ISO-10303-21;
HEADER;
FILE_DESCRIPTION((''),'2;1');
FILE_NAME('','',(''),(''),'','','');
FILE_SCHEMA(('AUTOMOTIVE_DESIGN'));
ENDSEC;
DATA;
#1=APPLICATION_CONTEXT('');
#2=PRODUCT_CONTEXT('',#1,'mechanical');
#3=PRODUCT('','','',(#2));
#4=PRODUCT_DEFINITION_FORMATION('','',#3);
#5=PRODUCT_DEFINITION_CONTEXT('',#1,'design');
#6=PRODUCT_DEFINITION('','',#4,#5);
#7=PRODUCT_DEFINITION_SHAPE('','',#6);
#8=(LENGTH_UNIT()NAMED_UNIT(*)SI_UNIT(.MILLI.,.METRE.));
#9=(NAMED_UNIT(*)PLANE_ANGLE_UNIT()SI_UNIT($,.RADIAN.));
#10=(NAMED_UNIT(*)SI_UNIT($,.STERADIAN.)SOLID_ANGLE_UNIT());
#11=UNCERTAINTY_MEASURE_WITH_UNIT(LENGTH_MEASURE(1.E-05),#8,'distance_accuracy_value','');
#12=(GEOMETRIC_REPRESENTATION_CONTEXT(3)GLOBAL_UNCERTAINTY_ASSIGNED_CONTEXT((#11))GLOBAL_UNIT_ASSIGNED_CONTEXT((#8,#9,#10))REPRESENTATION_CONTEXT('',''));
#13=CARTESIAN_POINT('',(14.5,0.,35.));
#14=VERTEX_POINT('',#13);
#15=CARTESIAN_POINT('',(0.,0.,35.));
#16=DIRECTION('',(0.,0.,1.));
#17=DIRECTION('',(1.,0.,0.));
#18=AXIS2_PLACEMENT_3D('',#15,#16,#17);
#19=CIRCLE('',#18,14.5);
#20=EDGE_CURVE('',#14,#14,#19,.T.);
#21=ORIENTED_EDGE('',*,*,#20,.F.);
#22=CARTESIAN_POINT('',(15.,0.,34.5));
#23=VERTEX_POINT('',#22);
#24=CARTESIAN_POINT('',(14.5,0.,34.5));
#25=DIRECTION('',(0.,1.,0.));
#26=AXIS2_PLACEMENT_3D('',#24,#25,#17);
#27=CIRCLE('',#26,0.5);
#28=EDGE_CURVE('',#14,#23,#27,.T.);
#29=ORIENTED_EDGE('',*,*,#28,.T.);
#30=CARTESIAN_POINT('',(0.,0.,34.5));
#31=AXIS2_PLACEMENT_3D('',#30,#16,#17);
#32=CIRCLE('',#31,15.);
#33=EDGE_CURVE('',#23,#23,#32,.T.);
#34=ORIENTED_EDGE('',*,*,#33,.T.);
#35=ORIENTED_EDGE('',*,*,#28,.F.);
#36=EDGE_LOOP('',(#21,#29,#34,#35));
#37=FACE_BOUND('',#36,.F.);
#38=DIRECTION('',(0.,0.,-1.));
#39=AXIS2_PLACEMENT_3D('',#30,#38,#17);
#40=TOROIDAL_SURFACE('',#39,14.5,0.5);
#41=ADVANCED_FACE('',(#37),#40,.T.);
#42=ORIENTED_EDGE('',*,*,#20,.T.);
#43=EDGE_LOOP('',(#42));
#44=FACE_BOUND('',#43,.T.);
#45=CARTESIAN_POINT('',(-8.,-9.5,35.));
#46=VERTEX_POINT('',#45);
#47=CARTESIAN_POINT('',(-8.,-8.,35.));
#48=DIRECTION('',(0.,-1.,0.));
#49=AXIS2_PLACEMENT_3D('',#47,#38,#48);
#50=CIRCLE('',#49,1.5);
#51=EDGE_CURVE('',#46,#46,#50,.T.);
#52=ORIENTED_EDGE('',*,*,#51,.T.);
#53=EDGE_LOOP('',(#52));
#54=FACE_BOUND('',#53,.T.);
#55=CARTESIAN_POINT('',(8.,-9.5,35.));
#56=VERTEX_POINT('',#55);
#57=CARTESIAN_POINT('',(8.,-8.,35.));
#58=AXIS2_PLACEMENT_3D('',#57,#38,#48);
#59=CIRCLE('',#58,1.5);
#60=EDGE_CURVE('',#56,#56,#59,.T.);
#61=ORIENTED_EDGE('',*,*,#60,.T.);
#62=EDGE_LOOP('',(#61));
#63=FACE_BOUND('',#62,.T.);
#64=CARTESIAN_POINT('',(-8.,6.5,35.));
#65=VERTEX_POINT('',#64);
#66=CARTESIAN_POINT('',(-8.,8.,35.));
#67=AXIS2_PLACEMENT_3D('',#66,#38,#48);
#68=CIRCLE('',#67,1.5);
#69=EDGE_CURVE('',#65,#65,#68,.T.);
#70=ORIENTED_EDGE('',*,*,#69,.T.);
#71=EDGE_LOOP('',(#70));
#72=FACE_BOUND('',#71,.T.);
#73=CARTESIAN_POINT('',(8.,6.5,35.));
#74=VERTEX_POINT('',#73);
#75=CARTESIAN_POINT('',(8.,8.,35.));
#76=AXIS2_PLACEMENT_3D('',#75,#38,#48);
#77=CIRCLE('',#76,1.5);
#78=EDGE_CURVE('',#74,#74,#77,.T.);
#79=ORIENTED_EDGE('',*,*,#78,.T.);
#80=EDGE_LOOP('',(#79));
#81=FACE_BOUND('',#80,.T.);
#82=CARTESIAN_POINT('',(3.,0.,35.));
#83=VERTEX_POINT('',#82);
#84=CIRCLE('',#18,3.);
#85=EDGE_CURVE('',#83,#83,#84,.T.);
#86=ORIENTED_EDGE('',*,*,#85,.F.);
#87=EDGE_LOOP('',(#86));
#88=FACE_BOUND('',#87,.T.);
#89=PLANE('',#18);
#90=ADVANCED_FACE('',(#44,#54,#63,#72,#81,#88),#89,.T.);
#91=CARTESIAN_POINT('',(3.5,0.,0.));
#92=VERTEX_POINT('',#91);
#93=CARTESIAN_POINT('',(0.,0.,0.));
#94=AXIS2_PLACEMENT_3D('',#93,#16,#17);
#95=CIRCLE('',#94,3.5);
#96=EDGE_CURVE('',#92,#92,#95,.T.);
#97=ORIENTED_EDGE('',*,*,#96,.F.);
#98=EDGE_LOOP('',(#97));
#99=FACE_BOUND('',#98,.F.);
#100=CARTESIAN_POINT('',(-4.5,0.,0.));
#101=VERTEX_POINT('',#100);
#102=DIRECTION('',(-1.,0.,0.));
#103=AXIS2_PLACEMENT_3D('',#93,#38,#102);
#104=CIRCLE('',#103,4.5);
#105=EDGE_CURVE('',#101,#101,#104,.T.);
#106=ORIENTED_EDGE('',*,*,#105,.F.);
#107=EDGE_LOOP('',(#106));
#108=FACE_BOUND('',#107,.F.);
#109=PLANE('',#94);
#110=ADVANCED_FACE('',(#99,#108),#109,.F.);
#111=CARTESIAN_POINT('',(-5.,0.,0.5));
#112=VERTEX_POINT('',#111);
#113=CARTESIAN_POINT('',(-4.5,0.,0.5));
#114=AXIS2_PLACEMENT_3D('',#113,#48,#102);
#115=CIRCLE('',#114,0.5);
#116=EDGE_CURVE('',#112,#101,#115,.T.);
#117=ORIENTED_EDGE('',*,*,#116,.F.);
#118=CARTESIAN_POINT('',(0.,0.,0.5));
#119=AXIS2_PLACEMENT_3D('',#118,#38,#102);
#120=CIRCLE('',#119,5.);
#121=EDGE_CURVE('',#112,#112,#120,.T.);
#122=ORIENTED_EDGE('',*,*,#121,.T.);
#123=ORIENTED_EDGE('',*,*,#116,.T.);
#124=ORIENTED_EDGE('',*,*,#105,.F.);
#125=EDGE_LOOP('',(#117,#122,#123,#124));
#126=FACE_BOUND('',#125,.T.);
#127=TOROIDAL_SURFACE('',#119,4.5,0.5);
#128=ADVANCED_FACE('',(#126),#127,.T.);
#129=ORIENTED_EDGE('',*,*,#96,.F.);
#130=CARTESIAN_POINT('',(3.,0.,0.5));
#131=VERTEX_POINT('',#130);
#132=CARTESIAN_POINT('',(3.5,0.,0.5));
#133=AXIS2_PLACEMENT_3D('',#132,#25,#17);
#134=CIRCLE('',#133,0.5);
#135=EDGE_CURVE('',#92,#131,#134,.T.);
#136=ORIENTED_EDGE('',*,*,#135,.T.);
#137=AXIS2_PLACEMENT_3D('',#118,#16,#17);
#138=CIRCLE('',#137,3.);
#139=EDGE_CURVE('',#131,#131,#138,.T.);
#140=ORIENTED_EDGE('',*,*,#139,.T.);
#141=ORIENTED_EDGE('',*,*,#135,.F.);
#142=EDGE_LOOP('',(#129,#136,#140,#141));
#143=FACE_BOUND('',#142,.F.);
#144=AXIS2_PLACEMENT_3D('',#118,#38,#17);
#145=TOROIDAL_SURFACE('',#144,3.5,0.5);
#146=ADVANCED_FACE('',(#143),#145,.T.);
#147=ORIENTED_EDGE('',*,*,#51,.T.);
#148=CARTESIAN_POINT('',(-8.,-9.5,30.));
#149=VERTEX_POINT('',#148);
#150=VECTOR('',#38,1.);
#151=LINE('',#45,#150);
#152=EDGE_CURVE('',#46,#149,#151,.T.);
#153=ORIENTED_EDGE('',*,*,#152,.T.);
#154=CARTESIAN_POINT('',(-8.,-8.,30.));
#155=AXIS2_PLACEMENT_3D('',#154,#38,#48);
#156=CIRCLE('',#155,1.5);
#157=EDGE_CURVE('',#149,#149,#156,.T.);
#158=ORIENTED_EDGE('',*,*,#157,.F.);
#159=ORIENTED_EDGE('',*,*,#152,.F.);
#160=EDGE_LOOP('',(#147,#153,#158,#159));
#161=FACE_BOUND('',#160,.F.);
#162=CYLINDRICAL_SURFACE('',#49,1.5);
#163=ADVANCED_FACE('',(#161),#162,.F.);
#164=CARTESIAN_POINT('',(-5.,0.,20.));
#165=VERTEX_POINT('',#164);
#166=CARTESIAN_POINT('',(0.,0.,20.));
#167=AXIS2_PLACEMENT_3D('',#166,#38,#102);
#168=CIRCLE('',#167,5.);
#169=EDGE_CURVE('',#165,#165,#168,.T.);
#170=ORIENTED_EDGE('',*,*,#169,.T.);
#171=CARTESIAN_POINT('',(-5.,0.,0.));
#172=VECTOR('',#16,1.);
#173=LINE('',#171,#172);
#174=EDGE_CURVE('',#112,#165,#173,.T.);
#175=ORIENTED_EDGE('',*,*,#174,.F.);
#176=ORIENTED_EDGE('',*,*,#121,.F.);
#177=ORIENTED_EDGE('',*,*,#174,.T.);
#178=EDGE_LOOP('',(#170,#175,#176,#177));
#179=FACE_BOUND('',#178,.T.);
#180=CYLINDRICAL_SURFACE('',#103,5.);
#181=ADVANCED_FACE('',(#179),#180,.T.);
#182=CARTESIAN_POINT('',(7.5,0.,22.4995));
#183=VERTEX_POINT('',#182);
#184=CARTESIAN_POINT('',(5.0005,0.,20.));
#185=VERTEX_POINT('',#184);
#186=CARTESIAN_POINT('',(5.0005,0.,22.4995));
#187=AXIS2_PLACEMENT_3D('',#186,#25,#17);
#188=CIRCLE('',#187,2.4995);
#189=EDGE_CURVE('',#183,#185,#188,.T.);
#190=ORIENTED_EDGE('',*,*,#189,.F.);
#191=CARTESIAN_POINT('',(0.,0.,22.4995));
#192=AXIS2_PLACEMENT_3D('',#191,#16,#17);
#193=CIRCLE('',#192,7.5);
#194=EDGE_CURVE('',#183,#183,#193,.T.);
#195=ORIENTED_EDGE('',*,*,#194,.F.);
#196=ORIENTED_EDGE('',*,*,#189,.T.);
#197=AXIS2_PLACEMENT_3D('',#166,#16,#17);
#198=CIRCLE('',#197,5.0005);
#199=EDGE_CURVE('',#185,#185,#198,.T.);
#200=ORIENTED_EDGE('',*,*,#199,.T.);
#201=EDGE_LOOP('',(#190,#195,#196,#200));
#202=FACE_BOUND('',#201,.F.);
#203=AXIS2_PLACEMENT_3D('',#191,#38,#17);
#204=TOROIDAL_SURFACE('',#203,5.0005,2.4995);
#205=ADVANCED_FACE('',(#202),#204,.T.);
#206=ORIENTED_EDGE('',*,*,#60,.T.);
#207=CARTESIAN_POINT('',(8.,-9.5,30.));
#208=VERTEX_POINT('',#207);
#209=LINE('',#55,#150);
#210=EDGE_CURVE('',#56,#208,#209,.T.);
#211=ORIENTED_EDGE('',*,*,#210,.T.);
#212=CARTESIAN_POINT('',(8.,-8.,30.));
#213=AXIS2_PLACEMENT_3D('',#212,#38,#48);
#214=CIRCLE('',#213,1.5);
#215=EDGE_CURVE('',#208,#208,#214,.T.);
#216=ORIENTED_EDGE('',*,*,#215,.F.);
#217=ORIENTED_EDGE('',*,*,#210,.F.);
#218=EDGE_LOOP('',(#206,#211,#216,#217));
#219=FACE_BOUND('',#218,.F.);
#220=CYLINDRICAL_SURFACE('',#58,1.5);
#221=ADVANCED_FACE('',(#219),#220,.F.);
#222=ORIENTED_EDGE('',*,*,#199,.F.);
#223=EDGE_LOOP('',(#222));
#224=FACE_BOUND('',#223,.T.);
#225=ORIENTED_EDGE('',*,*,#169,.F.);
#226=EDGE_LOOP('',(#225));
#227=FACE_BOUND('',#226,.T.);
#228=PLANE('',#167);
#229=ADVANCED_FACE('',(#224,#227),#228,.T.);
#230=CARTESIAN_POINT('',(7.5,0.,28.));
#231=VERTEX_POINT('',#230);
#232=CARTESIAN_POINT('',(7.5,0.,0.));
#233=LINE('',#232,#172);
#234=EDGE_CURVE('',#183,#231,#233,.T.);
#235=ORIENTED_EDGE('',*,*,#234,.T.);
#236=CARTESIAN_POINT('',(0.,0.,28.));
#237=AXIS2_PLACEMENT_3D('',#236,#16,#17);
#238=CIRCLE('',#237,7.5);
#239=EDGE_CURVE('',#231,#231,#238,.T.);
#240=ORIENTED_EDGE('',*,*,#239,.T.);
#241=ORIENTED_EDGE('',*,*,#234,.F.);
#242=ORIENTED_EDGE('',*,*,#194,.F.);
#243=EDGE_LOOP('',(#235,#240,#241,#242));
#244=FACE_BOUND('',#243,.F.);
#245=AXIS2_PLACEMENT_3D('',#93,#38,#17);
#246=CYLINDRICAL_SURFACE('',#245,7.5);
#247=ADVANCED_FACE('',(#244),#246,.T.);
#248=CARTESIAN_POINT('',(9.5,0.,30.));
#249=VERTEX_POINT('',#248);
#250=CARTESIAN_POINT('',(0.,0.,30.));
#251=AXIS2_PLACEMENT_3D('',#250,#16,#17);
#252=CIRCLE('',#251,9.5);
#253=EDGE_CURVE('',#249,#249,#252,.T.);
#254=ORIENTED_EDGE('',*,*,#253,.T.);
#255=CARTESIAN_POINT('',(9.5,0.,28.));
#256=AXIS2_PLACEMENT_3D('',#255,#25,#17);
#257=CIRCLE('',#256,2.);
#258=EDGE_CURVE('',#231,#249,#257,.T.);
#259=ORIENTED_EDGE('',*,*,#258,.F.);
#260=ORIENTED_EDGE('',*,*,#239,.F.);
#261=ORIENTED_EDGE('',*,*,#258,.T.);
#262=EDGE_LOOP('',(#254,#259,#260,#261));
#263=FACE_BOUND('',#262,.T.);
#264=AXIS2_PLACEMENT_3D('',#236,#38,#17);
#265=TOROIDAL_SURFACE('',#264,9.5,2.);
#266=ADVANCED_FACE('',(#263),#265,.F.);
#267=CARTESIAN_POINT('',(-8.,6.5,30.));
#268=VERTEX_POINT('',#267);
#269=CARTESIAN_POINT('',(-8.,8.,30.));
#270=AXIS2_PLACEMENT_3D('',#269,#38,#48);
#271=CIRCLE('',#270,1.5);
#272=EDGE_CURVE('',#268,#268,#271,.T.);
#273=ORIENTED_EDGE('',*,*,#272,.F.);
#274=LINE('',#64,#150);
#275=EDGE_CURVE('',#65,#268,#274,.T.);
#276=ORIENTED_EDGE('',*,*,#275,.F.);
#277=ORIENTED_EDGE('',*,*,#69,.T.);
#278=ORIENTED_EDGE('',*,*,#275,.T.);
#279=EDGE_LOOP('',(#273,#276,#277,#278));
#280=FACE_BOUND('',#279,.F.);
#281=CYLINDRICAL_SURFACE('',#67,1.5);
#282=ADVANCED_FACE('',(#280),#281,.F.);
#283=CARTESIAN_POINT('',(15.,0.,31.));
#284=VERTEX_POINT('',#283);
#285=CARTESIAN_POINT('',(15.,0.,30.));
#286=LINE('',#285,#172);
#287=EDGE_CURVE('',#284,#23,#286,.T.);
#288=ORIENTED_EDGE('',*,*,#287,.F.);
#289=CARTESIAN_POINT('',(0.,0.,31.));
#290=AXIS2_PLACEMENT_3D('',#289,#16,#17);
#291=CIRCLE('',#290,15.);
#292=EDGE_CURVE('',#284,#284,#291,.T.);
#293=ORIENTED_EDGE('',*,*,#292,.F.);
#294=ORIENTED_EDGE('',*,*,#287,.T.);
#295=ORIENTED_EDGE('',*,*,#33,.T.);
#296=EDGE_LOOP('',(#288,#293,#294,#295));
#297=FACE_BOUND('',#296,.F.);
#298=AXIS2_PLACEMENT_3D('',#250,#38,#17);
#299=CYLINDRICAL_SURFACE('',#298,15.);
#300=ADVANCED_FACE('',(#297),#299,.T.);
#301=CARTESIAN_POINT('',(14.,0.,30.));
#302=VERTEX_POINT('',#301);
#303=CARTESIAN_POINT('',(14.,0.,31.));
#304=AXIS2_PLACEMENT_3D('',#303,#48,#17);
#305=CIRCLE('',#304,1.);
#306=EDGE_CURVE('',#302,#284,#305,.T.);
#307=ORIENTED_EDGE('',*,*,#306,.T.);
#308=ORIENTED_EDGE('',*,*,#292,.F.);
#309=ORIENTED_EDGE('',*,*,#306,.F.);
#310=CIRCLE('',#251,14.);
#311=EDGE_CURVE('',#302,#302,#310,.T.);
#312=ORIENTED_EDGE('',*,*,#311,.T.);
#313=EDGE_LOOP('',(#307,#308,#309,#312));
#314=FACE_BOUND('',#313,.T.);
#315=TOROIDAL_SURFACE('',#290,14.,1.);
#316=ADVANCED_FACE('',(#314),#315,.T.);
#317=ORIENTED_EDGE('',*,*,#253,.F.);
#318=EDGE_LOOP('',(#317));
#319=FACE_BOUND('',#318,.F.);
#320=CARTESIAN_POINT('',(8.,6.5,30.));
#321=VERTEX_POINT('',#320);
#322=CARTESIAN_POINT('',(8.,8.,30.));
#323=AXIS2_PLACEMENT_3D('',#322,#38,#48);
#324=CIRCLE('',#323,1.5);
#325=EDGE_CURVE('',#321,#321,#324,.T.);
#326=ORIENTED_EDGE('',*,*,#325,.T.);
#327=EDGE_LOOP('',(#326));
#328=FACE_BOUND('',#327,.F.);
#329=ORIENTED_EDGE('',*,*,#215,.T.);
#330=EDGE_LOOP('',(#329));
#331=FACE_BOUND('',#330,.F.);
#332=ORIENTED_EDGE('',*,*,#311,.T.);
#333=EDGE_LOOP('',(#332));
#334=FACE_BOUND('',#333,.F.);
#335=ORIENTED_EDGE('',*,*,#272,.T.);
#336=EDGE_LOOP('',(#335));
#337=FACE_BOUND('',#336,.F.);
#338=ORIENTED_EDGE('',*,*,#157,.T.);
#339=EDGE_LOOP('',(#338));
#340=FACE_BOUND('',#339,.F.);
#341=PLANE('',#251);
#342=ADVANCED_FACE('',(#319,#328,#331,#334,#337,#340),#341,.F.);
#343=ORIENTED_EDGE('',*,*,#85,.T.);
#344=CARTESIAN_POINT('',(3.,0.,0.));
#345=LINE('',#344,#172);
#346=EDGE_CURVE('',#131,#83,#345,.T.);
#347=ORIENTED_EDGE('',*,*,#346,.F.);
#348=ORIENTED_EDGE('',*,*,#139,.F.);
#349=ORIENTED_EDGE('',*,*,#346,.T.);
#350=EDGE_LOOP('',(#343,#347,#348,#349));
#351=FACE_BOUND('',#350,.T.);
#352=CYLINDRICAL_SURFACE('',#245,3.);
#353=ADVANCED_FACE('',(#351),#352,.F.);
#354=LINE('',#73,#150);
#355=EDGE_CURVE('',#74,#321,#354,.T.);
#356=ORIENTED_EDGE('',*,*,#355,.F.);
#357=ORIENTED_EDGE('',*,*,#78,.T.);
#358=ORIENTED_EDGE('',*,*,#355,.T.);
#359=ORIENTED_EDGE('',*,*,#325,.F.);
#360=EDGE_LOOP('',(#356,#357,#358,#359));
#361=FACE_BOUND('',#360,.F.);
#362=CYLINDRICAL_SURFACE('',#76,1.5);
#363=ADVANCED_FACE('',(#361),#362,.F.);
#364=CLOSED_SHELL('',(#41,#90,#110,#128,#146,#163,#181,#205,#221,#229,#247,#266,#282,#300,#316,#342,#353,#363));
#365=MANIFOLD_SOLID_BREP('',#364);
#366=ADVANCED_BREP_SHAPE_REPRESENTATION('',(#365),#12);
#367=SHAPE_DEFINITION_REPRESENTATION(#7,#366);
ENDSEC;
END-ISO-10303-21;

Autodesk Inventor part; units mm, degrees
ref_plane "YZ Plane" through (0, 0, 0) normal (1, 0, 0) x (0, 1, 0)
ref_plane "XZ Plane" through (0, 0, 0) normal (0, 1, 0) x (-1, 0, 0)
ref_plane "XY Plane" through (0, 0, 0) normal (0, 0, 1) x (1, 0, 0)
sketch "スケッチ1" plane through (0, 0, 0) normal (0, 0, 1) x (1, 0, 0)
  circle A0 centre (0, 0) radius 7.5
  circle A1 centre (0, 0) radius 3
  dimension "d0" = 15
  dimension "d1" = 6
extrude "押し出し1" add sketch "スケッチ1" along normal blind 30
sketch "スケッチ2" plane through (0, 0, 30) normal (0, 0, 1) x (1, 0, 0)
  circle A0 centre (0, 0) radius 3
  circle A1 centre (0, 0) radius 15
  dimension "d4" = 6
  dimension "d5" = 30
extrude "押し出し2" add sketch "スケッチ2" along normal blind 5
sketch "スケッチ3" plane through (0, 0, 35) normal (0, 0, 1) x (1, 0, 0)
  line L0 (0, 0) -> (8, 0)
  line L1 (8, 0) -> (8, -8)
  line L2 (8, -8) -> (0, -8)
  line L3 (0, -8) -> (0, 0)
  line L4 (8, -8) -> (-8, -8)
  line L5 (-8, -8) -> (-8, 8)
  line L6 (-8, 8) -> (8, 8)
  line L7 (8, 8) -> (8, -8)
  dimension "d8" = 8
  dimension "d9" = 8
  dimension "d10" = 16
  dimension "d11" = 16
hole "穴1" at (-8, 8, 35) at (8, 8, 35) at (8, -8, 35) at (-8, -8, 35) direction (0, 0, -1) diameter 3 end through all
fillet "フィレット1" radius 2 1 edges at (-7.5, 0, 30)
fillet "フィレット3" radius 1 1 edges at (-15, 0, 30)
sketch "スケッチ4" plane through (0, 0, 0) normal (0, 0, -1) x (-1, 0, 0)
  circle A0 centre (0, 0) radius 3 projected
  circle A1 centre (0, 0) radius 7.5
  circle A2 centre (0, 0) radius 3
  circle A3 centre (0, 0) radius 5
  dimension "d22" = 6
  dimension "d23" = 15
  dimension "d24" = 10
extrude "押し出し3" cut sketch "スケッチ4" against normal blind 20 contours A1
fillet "フィレット4" radius 2.5 1 edges at (-7.5, 0, 20)
fillet "フィレット5" radius 0.5 2 edges at (5, 0, 0) (-3, 0, 0)
fillet "フィレット6" radius 0.5 1 edges at (-15, 0, 35)
equation "\"d9\" = d8"
equation "\"d10\" = 2 * d9"
equation "\"d11\" = d10"
properties part number "フランジ" material "アルミニウム 6061"
